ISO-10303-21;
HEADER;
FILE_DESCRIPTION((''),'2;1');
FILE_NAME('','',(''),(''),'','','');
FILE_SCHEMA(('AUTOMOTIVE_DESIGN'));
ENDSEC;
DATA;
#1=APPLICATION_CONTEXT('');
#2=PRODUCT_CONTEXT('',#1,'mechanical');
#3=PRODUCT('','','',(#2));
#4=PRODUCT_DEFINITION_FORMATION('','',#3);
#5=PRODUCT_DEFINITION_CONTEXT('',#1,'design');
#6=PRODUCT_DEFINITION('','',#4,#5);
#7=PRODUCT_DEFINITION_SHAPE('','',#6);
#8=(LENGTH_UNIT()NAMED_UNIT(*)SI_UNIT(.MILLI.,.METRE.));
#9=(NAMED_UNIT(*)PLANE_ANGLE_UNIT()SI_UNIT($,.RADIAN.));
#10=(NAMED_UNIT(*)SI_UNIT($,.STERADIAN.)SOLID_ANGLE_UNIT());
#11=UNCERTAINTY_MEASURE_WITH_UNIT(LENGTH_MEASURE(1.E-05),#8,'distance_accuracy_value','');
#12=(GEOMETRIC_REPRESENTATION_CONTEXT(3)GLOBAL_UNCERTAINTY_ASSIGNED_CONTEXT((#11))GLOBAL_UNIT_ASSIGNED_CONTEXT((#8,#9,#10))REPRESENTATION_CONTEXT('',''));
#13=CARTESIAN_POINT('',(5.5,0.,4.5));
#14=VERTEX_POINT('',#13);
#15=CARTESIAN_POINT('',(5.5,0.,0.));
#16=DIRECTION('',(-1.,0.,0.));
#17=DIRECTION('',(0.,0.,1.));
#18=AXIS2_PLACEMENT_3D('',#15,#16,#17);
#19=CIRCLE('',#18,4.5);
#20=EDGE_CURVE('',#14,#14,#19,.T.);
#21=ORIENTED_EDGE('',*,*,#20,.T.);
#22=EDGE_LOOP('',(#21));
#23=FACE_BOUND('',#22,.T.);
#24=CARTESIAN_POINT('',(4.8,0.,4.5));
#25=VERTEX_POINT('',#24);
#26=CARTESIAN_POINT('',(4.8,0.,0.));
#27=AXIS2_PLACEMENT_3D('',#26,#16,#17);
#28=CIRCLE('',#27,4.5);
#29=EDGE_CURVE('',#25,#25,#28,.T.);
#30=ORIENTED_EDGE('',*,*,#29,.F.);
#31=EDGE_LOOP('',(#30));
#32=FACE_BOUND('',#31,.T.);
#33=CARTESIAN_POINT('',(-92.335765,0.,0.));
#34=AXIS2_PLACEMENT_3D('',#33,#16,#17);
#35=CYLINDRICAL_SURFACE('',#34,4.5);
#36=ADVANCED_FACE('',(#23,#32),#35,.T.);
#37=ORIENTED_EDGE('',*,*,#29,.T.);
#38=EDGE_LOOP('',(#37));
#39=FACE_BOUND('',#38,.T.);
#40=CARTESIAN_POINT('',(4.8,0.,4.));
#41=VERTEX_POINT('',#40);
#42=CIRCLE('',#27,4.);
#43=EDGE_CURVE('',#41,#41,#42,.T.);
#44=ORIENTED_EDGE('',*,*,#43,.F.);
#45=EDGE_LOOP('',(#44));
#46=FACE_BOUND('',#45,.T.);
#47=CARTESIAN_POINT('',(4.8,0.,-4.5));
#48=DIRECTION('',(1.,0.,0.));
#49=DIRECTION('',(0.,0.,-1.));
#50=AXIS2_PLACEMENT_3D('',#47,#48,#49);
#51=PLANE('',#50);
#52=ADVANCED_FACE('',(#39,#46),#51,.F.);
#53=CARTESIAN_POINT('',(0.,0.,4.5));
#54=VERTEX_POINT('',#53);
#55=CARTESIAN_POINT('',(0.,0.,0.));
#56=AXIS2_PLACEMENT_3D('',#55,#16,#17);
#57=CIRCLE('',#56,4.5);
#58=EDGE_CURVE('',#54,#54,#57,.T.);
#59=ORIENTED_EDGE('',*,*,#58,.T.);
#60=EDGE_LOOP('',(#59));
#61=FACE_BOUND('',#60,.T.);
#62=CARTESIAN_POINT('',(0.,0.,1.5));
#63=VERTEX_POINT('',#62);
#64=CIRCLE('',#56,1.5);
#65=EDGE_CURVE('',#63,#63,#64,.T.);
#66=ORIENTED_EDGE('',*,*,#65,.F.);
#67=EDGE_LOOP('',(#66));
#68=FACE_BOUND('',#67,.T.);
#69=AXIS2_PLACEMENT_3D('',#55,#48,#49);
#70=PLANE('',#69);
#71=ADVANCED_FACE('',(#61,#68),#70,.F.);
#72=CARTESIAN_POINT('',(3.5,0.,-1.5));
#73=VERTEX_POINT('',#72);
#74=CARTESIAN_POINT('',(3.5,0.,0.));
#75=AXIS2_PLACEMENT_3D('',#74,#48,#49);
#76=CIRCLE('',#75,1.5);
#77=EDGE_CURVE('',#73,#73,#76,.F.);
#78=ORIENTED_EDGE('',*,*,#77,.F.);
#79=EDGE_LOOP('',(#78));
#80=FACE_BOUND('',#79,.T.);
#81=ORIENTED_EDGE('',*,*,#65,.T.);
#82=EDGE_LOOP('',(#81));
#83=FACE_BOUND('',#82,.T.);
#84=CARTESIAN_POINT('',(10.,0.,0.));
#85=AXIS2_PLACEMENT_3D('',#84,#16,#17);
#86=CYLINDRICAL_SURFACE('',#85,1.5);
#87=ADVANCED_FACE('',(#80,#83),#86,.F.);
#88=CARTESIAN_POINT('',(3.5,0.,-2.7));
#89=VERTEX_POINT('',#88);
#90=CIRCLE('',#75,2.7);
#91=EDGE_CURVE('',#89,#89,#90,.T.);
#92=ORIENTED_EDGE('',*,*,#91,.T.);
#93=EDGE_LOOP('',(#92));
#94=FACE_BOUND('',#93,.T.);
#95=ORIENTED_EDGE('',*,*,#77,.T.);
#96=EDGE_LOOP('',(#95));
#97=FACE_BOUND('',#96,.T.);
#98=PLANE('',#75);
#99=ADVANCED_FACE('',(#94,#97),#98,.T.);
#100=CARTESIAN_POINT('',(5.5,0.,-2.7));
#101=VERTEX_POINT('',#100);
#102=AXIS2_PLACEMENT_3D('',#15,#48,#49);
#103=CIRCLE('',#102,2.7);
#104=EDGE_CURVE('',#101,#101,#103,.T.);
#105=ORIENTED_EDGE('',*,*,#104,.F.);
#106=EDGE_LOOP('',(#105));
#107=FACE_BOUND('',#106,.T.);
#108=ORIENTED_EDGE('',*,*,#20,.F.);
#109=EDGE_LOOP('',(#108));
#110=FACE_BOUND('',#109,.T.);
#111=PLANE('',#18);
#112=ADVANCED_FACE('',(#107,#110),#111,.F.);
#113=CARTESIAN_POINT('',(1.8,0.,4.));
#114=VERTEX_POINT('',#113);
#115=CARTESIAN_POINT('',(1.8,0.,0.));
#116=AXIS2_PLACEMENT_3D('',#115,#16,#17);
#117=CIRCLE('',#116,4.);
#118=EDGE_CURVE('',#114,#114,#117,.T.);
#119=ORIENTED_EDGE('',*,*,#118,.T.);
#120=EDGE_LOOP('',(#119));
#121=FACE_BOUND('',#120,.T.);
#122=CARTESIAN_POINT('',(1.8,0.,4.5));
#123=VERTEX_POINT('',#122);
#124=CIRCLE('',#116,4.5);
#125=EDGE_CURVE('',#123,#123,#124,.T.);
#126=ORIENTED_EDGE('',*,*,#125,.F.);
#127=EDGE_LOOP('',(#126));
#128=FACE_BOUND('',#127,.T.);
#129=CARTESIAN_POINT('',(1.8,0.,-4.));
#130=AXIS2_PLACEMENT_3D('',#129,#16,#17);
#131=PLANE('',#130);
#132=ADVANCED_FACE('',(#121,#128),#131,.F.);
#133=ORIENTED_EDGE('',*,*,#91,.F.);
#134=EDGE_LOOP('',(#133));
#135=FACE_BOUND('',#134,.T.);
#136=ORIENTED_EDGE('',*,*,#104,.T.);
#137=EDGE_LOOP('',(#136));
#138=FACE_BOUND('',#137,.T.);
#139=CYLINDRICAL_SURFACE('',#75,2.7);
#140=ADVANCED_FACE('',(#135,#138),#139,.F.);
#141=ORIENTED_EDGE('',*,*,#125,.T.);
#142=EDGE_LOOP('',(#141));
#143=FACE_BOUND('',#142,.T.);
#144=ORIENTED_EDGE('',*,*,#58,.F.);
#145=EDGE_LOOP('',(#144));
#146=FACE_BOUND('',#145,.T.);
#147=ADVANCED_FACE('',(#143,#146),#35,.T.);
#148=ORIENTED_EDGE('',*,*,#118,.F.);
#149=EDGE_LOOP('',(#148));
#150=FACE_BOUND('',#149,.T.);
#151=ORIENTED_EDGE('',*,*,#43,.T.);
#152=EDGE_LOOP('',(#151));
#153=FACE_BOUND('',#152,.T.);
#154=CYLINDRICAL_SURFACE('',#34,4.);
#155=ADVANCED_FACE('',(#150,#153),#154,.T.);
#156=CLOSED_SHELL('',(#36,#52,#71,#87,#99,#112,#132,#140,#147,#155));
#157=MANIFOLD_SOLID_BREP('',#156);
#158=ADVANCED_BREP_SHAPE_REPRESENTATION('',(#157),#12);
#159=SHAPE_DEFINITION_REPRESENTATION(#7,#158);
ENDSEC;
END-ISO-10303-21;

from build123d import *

# Parameters (mm, degrees)
SKETCH2_R          = 1.5
CUT_EXTRUDE1_DEPTH = 10
SKETCH3_R          = 2.7
CUT_EXTRUDE2_DEPTH = 2


with BuildPart() as part:
    # Sketch1 → Revolve1 (revolve)
    with BuildSketch(Plane(origin=(0, 0, 0), x_dir=(1, 0, 0), z_dir=(0, 1, 0))):
        Polygon((0, 0), (0, 4.5), (1.8, 4.5), (1.8, 4), (4.8, 4), (4.8, 4.5), (5.5, 4.5), (5.5, 0), align=None)
    revolve(axis=Axis((-92.33576491, 0, 0), (1, 0, 0)))

    # Sketch2 → Cut-Extrude1 (cut)
    with BuildSketch(Plane.ZY):
        Circle(SKETCH2_R)
    extrude(amount=-CUT_EXTRUDE1_DEPTH, mode=Mode.SUBTRACT)

    # Sketch3 → Cut-Extrude2 (cut)
    with BuildSketch(Plane(origin=(5.5, 0, 0), x_dir=(0, 0, -1), z_dir=(1, 0, 0))):
        Circle(SKETCH3_R)
    extrude(amount=-CUT_EXTRUDE2_DEPTH, mode=Mode.SUBTRACT)


solid = part.part
